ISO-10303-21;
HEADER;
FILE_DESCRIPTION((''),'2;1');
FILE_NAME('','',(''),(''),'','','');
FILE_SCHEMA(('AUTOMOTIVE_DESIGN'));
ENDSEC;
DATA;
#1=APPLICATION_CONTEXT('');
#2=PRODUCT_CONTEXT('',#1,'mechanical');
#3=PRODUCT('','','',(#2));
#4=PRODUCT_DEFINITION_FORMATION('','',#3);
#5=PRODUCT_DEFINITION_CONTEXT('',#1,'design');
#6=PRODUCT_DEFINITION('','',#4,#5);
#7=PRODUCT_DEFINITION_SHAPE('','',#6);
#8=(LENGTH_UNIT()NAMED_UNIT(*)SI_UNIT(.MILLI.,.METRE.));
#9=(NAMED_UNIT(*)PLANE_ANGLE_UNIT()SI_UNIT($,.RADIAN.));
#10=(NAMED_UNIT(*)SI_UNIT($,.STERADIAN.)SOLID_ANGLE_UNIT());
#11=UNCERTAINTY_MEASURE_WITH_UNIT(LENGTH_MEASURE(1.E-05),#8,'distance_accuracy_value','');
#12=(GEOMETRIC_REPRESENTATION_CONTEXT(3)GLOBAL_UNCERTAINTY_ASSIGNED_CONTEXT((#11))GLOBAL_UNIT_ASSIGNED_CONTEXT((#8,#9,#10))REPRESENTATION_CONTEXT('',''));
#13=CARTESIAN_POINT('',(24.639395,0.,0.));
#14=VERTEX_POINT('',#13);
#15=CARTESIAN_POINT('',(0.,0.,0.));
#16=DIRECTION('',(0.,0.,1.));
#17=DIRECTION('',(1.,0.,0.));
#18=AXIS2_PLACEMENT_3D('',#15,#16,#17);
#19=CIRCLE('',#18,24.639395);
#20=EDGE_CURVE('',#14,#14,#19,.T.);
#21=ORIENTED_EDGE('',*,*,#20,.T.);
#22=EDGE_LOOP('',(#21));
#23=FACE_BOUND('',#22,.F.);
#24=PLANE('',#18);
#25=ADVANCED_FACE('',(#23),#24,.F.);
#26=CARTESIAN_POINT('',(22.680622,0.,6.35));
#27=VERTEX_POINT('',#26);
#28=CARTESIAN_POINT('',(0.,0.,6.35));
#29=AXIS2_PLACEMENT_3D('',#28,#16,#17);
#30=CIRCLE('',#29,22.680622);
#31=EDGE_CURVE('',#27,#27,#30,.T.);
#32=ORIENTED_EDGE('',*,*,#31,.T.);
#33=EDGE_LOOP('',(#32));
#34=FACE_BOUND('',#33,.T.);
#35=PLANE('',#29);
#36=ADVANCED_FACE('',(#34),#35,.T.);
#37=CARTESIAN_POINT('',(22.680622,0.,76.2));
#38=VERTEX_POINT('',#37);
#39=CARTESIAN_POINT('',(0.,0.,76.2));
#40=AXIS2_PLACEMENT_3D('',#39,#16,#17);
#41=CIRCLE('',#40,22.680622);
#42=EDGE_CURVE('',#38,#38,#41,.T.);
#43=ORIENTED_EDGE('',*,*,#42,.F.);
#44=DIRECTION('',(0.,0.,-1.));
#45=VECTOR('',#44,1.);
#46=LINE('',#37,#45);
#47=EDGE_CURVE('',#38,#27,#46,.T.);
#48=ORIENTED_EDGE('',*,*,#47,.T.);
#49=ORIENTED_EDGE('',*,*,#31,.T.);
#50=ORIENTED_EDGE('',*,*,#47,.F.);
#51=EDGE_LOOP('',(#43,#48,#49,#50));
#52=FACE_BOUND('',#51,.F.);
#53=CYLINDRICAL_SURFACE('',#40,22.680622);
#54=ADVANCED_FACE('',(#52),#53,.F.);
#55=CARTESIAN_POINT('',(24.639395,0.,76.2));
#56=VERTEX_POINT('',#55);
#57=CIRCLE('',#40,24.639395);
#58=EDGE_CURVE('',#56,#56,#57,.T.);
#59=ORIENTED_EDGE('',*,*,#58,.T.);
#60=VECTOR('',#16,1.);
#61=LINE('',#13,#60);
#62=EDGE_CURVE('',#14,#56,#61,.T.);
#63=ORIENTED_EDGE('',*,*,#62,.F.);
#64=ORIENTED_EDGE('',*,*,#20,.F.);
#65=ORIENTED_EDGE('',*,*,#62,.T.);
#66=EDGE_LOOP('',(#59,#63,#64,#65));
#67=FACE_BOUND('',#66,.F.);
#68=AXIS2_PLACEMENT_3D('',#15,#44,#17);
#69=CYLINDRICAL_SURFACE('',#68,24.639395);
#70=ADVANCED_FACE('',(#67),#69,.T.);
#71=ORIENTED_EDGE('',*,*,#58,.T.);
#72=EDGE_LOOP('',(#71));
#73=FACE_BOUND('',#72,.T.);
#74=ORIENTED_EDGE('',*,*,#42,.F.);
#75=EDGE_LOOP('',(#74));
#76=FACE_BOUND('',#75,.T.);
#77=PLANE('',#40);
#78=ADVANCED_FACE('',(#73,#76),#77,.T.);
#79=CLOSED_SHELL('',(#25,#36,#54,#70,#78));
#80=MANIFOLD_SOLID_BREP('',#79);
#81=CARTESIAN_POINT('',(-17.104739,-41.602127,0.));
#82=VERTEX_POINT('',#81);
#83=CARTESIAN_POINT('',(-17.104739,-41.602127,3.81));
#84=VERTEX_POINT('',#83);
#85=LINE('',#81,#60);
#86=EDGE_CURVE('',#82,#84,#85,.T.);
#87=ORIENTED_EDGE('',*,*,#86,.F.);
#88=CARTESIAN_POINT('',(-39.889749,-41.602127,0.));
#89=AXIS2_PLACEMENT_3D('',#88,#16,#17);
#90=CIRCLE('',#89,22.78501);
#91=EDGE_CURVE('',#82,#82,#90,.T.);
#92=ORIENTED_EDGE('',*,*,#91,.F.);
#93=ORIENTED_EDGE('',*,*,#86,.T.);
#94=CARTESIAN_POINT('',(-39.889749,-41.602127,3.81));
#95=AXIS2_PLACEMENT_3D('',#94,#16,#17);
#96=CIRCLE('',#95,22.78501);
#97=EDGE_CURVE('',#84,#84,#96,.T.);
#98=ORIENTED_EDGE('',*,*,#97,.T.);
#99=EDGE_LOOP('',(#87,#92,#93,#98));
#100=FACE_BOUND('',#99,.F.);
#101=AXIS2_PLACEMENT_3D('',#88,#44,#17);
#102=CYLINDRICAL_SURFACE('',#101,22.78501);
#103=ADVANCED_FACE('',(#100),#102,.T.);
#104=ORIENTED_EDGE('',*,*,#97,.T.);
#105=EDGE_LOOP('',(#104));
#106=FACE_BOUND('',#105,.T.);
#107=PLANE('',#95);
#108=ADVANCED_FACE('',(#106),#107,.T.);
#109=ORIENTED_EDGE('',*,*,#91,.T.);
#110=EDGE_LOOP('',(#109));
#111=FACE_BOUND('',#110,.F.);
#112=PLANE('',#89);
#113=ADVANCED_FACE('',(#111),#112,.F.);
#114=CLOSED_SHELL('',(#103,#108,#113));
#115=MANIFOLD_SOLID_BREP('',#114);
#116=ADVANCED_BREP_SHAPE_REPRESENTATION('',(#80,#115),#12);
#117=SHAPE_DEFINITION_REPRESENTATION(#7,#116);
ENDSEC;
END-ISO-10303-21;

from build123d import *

# Parameters (mm, degrees)
F0_R     = 24.639395
F1_DEPTH = 76.2
F2_R     = 22.680622
F3_DEPTH = 69.85
F4_R     = 22.78501
F5_DEPTH = 3.81


with BuildPart() as f1:
    # F0 (on Top) → F1 (new body)
    with BuildSketch(Plane.XY):
        Circle(F0_R)
    extrude(amount=F1_DEPTH)

    # F2 (on face) → F3 (cut)
    with BuildSketch(Plane.XY.offset(76.2)):
        Circle(F2_R)
    extrude(amount=-F3_DEPTH, mode=Mode.SUBTRACT)


with BuildPart() as f5:
    # F4 (on Top) → F5 (new body)
    with BuildSketch(Plane.XY):
        with Locations((-39.889749, -41.602127)):
            Circle(F4_R)
    extrude(amount=F5_DEPTH)


solid = Compound([f1.part, f5.part])
